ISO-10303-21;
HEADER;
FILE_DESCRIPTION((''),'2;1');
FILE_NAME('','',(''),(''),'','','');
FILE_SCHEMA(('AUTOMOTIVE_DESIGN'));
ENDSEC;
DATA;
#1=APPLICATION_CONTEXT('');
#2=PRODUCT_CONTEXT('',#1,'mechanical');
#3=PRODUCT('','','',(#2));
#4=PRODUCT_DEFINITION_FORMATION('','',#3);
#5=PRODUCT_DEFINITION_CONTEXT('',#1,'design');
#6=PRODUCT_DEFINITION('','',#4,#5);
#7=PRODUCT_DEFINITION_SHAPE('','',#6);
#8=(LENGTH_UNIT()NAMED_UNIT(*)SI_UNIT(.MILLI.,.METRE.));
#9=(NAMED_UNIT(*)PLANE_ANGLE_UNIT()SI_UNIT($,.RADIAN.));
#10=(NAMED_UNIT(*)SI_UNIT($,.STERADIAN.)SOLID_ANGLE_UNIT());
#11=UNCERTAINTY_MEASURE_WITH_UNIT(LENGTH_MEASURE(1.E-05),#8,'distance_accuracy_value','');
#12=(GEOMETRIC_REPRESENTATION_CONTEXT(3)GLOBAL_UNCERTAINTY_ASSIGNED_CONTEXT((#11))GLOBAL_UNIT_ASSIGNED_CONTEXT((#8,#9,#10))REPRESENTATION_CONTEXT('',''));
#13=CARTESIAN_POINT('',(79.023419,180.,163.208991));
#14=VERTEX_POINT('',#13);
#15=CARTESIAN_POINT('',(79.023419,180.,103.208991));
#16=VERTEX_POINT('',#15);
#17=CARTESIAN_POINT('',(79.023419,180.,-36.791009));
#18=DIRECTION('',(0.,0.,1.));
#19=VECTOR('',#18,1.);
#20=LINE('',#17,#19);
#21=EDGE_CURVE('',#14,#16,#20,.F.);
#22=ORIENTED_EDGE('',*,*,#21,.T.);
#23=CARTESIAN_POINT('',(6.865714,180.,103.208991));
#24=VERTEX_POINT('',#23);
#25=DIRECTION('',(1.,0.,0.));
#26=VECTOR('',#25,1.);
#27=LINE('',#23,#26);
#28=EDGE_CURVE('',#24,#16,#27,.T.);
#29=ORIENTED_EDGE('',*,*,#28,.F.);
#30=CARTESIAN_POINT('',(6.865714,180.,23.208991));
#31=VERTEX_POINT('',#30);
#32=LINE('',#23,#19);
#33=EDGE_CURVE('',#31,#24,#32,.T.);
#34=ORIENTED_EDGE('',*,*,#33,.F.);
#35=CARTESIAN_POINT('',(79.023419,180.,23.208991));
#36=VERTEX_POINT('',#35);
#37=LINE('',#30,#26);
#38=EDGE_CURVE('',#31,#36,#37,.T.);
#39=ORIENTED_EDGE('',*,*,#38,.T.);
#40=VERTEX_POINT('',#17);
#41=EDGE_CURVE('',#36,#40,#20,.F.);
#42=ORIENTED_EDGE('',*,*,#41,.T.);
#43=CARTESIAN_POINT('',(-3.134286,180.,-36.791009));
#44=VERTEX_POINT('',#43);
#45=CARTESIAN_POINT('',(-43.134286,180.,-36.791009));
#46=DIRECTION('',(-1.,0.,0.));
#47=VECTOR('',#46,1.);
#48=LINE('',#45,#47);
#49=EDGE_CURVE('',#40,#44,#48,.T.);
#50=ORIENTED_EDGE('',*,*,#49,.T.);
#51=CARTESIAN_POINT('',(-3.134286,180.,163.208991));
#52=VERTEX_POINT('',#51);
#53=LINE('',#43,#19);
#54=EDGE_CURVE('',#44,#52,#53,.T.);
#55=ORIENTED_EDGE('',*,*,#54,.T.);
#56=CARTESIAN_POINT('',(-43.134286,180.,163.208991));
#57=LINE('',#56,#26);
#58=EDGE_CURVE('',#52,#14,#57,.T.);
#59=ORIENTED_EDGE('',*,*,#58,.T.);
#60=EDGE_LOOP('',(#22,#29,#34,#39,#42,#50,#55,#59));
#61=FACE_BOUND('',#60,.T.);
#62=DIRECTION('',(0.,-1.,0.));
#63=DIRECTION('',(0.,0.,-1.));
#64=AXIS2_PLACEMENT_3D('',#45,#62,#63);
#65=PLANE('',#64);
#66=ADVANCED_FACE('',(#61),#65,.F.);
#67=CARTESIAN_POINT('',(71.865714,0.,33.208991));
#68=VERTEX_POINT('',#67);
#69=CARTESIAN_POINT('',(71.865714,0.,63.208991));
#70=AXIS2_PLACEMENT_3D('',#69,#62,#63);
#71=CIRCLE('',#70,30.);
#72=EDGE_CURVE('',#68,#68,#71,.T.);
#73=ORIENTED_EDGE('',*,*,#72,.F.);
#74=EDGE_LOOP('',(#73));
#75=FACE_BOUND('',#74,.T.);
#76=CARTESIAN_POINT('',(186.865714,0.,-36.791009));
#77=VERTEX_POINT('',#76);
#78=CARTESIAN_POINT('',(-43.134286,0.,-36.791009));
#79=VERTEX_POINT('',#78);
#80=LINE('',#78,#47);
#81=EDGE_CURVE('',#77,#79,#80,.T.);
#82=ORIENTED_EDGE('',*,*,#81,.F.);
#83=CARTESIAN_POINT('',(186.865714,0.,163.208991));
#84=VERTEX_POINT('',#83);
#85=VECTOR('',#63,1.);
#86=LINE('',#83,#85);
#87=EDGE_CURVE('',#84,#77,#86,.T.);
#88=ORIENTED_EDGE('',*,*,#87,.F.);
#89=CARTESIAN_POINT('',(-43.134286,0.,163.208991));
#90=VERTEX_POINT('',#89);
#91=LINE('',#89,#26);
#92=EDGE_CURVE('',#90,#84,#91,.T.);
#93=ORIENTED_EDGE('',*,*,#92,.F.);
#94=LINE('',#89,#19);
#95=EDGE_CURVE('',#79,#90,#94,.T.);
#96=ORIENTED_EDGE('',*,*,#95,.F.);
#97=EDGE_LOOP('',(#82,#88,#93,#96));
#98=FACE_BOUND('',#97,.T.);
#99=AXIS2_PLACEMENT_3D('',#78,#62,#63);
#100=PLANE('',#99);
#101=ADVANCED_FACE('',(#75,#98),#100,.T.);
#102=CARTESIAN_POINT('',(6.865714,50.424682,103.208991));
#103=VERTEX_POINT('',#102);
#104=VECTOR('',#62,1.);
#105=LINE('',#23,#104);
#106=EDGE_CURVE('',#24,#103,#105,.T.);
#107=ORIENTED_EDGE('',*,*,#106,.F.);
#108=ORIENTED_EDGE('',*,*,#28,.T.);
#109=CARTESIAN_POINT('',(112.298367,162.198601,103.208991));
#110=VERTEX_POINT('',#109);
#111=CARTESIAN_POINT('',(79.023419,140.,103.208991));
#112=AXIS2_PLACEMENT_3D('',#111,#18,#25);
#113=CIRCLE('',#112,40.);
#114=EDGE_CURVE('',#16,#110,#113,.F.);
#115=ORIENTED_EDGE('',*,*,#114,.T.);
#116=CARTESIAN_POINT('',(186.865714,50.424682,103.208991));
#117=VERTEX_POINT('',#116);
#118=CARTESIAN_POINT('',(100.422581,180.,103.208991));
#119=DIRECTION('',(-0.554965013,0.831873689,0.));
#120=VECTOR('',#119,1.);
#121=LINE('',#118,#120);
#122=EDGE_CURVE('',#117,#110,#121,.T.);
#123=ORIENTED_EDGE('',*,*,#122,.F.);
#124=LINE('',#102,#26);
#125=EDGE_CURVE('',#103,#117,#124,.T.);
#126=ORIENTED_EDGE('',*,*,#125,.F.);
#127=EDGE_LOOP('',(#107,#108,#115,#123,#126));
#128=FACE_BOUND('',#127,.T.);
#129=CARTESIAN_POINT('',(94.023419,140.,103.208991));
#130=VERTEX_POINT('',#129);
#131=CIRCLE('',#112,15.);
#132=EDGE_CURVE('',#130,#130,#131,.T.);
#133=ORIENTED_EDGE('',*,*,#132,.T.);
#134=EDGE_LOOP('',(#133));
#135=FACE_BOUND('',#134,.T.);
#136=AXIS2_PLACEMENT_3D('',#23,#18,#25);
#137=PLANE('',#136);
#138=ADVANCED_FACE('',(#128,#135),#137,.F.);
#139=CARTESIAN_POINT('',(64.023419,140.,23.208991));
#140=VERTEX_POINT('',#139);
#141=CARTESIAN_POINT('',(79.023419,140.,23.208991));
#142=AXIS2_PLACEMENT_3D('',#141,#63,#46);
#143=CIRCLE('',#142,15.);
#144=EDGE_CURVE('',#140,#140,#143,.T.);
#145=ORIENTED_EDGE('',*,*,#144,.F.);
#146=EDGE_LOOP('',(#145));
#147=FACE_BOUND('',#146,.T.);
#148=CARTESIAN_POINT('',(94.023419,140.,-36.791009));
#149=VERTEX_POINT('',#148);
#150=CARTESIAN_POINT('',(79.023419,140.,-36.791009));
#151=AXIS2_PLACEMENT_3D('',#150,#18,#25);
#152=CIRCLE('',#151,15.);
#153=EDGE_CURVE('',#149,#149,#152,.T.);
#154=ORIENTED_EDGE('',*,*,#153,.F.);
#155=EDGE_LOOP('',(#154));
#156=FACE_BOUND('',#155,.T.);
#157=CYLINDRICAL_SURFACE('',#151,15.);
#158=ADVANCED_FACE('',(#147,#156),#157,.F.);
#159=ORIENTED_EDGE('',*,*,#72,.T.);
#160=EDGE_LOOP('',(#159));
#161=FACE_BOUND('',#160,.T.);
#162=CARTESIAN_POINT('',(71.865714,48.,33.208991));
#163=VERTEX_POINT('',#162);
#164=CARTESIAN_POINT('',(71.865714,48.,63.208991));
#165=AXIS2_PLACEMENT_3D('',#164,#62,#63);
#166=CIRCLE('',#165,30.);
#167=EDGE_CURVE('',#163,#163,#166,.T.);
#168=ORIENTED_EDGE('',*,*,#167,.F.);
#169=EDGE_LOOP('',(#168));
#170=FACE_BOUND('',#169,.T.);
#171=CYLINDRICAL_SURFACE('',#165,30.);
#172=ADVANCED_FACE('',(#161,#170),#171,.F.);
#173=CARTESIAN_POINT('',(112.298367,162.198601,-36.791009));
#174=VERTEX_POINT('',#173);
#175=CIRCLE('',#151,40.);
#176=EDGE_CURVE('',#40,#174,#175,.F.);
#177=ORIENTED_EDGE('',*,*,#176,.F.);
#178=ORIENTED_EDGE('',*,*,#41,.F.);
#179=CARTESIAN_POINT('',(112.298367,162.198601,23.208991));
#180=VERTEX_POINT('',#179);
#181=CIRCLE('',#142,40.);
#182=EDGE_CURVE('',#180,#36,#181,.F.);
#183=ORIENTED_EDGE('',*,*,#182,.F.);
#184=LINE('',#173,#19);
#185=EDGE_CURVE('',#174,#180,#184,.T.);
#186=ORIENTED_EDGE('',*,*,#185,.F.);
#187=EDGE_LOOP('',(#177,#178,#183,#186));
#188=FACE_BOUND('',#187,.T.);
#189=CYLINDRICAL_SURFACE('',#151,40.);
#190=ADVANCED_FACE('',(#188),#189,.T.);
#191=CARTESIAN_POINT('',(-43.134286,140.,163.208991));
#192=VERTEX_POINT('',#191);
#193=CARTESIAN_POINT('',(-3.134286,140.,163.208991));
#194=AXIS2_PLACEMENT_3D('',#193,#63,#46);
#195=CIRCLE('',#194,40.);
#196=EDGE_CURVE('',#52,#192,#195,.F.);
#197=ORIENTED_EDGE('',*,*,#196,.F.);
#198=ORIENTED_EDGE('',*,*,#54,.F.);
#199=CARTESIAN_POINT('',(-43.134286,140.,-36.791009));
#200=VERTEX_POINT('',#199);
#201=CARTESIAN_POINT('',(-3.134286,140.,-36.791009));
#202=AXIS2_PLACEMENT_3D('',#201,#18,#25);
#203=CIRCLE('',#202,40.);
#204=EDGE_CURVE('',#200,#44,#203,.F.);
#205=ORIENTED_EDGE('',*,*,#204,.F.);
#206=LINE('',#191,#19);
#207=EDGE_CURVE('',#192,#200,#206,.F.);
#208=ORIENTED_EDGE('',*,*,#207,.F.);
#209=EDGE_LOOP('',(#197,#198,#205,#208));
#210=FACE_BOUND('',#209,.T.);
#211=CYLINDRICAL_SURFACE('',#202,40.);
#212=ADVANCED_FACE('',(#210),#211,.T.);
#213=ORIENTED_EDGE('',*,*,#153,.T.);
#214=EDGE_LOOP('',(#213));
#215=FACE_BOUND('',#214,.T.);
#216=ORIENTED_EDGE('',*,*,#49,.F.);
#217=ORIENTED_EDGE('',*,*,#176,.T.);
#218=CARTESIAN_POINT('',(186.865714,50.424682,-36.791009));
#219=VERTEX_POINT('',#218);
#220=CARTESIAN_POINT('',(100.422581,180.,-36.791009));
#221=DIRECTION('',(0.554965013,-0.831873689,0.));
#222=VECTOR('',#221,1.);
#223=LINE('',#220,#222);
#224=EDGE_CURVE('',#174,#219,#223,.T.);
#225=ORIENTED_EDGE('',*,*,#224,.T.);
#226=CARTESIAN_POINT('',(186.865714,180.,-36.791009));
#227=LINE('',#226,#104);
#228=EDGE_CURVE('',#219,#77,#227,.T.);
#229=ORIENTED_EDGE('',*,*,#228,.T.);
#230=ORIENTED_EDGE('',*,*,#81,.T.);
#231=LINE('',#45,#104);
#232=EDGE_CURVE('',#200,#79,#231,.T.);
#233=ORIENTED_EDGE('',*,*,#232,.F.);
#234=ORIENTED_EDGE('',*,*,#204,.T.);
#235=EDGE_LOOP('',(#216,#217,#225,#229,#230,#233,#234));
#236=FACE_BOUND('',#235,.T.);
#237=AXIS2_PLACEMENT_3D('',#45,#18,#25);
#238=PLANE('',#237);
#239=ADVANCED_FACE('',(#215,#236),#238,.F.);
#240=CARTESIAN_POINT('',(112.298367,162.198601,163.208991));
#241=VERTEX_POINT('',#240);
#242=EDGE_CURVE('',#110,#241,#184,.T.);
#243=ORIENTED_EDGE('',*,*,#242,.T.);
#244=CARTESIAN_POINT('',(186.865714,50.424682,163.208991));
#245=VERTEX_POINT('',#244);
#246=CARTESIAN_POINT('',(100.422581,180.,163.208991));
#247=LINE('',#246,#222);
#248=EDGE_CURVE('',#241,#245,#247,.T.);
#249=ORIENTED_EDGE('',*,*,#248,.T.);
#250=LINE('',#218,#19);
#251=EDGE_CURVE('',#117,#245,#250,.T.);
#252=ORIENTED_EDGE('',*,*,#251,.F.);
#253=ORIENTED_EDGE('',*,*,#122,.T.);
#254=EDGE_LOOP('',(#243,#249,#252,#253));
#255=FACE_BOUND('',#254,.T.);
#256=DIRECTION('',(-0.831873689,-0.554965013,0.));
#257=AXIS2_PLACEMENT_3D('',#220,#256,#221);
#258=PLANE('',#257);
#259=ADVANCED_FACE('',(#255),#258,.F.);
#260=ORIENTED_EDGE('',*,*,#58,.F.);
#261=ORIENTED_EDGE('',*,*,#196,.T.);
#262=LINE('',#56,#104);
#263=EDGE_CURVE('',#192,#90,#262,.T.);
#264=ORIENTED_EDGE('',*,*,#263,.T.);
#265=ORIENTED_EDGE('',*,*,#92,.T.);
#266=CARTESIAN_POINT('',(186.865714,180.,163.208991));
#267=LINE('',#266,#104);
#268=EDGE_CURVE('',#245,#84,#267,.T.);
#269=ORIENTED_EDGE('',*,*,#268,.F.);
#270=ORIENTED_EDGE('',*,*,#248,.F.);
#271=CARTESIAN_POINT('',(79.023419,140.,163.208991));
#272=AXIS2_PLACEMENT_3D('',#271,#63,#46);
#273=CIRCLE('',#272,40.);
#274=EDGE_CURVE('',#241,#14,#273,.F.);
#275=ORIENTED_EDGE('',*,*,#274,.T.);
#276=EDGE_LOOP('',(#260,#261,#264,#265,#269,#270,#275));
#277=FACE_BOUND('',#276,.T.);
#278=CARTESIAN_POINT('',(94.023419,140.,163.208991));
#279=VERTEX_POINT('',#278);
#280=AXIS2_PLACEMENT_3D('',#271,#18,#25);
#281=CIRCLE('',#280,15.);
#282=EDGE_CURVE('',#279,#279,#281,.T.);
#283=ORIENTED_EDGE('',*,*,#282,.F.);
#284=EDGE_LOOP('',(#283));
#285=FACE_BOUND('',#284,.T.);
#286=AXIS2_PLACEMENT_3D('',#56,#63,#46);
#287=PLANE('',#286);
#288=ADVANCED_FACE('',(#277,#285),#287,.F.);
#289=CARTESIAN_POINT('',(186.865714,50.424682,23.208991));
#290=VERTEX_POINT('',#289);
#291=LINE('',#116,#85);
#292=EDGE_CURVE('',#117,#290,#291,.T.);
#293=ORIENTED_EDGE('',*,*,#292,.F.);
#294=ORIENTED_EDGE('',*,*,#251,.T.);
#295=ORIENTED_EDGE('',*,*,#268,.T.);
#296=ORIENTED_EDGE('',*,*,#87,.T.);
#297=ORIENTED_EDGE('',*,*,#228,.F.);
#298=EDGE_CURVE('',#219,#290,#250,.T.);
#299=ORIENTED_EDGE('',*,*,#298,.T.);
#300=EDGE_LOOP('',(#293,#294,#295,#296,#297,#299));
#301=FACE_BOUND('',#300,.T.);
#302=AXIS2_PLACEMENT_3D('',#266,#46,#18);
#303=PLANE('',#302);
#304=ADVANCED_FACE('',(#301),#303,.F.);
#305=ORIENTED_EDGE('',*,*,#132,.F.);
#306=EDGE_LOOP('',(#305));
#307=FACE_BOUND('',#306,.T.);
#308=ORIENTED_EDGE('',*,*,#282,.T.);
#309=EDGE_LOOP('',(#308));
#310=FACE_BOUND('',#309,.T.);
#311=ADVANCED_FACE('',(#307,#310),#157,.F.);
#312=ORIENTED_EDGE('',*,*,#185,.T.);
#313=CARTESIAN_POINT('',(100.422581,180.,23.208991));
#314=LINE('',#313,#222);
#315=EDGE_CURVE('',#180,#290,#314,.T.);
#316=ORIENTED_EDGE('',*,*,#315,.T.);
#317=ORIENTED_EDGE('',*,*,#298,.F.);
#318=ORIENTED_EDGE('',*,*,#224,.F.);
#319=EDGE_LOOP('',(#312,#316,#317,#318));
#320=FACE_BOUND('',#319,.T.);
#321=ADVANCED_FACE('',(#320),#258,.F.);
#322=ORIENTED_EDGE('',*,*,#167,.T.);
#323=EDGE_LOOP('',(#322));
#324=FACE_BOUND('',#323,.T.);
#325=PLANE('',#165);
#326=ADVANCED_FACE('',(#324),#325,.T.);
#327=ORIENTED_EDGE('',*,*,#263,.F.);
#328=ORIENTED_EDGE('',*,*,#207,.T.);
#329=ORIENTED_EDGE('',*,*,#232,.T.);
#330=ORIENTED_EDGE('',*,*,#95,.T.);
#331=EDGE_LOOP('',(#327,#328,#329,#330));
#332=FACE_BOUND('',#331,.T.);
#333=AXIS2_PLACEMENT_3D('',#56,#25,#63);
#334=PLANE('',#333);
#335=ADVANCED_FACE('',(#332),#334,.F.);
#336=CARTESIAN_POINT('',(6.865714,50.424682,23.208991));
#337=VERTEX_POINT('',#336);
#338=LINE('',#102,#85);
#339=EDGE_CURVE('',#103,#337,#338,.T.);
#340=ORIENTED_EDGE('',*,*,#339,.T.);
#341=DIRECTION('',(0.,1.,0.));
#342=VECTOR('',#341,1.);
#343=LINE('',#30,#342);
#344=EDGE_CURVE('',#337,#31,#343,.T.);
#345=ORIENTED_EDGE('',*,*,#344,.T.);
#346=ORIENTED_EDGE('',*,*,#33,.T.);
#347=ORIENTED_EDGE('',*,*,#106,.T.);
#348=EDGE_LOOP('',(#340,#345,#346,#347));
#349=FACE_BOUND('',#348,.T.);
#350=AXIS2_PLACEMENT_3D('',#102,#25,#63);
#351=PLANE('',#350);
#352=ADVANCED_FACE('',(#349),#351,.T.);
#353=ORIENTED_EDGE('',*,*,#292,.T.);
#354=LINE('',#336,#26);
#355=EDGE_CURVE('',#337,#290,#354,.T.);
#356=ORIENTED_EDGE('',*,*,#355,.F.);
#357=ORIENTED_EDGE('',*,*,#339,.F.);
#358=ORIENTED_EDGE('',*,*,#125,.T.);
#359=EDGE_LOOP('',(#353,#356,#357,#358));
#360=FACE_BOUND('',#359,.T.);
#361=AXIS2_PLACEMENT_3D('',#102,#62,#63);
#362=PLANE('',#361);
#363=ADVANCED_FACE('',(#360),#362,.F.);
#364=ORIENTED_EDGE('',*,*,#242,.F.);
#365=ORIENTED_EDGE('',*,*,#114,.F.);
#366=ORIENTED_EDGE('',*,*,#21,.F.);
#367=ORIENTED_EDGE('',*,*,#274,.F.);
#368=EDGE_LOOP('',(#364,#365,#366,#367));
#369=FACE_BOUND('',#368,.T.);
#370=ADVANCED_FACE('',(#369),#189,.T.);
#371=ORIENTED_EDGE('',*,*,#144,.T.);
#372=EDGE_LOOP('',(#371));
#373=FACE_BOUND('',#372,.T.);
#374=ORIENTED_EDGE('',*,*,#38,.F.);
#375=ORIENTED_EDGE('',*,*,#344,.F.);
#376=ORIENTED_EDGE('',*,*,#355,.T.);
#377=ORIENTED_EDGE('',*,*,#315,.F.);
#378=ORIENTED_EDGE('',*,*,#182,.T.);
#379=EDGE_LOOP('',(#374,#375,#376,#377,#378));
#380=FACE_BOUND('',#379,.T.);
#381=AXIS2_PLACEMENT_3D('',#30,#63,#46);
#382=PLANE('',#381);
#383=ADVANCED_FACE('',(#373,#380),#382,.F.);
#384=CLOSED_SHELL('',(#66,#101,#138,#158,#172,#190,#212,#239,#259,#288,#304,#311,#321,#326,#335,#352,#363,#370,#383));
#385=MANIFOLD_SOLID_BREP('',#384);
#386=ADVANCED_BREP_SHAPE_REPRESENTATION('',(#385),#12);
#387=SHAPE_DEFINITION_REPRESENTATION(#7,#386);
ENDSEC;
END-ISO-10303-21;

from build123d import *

# Parameters (mm, degrees)
SKETCH2_W           = 230
SKETCH2_H           = 200
BOSS_EXTRUDE1_DEPTH = 180
CUT_EXTRUDE1_DEPTH  = 200
FILLET2_R           = 40
SKETCH4_R           = 30
CUT_EXTRUDE2_DEPTH  = 48
SKETCH5_W           = 80
SKETCH5_H           = 129.575317766
CUT_EXTRUDE3_DEPTH  = 180
SKETCH6_R           = 15
CUT_EXTRUDE5_DEPTH  = 200


with BuildPart() as part:
    # Sketch2 → Boss-Extrude1 (new body)
    with BuildSketch(Plane(origin=(0, 0, 0), x_dir=(1, 0, 0), z_dir=(0, 1, 0))):
        with Locations((71.865714122, -63.208991457)):
            Rectangle(SKETCH2_W, SKETCH2_H)
    extrude(amount=BOSS_EXTRUDE1_DEPTH)

    # Sketch3 → Cut-Extrude1 (cut)
    with BuildSketch(Plane.XY.offset(163.208991457)):
        Polygon((100.422581047, 180), (186.865714122, 180), (186.865714122, 50.424682234), align=None)
    extrude(amount=-CUT_EXTRUDE1_DEPTH, mode=Mode.SUBTRACT)

    # Fillet2
    fillet2_edges = [part.edges().sort_by_distance(p)[0] for p in [
        (100.422581047, 180, 63.208991457),
        (-43.134285878, 180, 63.208991457),
    ]]
    fillet(fillet2_edges, radius=FILLET2_R)

    # Sketch4 → Cut-Extrude2 (cut)
    with BuildSketch(Plane.XZ):
        with Locations(Location((71.865714122, 63.208991457, 0), (0, 0, 270))):
            Circle(SKETCH4_R)
    extrude(amount=-CUT_EXTRUDE2_DEPTH, mode=Mode.SUBTRACT)

    # Sketch5 → Cut-Extrude3 (cut)
    with BuildSketch(Plane(origin=(186.865714122, 0, 0), x_dir=(0, 0, -1), z_dir=(1, 0, 0))):
        with Locations((-63.208991457, 115.212341117)):
            Rectangle(SKETCH5_W, SKETCH5_H)
    extrude(amount=-CUT_EXTRUDE3_DEPTH, mode=Mode.SUBTRACT)

    # Sketch6 → Cut-Extrude5 (cut)
    with BuildSketch(Plane.XY.offset(163.208991457)):
        with Locations((79.023419486, 140)):
            Circle(SKETCH6_R)
    extrude(amount=-CUT_EXTRUDE5_DEPTH, mode=Mode.SUBTRACT)


solid = part.part
